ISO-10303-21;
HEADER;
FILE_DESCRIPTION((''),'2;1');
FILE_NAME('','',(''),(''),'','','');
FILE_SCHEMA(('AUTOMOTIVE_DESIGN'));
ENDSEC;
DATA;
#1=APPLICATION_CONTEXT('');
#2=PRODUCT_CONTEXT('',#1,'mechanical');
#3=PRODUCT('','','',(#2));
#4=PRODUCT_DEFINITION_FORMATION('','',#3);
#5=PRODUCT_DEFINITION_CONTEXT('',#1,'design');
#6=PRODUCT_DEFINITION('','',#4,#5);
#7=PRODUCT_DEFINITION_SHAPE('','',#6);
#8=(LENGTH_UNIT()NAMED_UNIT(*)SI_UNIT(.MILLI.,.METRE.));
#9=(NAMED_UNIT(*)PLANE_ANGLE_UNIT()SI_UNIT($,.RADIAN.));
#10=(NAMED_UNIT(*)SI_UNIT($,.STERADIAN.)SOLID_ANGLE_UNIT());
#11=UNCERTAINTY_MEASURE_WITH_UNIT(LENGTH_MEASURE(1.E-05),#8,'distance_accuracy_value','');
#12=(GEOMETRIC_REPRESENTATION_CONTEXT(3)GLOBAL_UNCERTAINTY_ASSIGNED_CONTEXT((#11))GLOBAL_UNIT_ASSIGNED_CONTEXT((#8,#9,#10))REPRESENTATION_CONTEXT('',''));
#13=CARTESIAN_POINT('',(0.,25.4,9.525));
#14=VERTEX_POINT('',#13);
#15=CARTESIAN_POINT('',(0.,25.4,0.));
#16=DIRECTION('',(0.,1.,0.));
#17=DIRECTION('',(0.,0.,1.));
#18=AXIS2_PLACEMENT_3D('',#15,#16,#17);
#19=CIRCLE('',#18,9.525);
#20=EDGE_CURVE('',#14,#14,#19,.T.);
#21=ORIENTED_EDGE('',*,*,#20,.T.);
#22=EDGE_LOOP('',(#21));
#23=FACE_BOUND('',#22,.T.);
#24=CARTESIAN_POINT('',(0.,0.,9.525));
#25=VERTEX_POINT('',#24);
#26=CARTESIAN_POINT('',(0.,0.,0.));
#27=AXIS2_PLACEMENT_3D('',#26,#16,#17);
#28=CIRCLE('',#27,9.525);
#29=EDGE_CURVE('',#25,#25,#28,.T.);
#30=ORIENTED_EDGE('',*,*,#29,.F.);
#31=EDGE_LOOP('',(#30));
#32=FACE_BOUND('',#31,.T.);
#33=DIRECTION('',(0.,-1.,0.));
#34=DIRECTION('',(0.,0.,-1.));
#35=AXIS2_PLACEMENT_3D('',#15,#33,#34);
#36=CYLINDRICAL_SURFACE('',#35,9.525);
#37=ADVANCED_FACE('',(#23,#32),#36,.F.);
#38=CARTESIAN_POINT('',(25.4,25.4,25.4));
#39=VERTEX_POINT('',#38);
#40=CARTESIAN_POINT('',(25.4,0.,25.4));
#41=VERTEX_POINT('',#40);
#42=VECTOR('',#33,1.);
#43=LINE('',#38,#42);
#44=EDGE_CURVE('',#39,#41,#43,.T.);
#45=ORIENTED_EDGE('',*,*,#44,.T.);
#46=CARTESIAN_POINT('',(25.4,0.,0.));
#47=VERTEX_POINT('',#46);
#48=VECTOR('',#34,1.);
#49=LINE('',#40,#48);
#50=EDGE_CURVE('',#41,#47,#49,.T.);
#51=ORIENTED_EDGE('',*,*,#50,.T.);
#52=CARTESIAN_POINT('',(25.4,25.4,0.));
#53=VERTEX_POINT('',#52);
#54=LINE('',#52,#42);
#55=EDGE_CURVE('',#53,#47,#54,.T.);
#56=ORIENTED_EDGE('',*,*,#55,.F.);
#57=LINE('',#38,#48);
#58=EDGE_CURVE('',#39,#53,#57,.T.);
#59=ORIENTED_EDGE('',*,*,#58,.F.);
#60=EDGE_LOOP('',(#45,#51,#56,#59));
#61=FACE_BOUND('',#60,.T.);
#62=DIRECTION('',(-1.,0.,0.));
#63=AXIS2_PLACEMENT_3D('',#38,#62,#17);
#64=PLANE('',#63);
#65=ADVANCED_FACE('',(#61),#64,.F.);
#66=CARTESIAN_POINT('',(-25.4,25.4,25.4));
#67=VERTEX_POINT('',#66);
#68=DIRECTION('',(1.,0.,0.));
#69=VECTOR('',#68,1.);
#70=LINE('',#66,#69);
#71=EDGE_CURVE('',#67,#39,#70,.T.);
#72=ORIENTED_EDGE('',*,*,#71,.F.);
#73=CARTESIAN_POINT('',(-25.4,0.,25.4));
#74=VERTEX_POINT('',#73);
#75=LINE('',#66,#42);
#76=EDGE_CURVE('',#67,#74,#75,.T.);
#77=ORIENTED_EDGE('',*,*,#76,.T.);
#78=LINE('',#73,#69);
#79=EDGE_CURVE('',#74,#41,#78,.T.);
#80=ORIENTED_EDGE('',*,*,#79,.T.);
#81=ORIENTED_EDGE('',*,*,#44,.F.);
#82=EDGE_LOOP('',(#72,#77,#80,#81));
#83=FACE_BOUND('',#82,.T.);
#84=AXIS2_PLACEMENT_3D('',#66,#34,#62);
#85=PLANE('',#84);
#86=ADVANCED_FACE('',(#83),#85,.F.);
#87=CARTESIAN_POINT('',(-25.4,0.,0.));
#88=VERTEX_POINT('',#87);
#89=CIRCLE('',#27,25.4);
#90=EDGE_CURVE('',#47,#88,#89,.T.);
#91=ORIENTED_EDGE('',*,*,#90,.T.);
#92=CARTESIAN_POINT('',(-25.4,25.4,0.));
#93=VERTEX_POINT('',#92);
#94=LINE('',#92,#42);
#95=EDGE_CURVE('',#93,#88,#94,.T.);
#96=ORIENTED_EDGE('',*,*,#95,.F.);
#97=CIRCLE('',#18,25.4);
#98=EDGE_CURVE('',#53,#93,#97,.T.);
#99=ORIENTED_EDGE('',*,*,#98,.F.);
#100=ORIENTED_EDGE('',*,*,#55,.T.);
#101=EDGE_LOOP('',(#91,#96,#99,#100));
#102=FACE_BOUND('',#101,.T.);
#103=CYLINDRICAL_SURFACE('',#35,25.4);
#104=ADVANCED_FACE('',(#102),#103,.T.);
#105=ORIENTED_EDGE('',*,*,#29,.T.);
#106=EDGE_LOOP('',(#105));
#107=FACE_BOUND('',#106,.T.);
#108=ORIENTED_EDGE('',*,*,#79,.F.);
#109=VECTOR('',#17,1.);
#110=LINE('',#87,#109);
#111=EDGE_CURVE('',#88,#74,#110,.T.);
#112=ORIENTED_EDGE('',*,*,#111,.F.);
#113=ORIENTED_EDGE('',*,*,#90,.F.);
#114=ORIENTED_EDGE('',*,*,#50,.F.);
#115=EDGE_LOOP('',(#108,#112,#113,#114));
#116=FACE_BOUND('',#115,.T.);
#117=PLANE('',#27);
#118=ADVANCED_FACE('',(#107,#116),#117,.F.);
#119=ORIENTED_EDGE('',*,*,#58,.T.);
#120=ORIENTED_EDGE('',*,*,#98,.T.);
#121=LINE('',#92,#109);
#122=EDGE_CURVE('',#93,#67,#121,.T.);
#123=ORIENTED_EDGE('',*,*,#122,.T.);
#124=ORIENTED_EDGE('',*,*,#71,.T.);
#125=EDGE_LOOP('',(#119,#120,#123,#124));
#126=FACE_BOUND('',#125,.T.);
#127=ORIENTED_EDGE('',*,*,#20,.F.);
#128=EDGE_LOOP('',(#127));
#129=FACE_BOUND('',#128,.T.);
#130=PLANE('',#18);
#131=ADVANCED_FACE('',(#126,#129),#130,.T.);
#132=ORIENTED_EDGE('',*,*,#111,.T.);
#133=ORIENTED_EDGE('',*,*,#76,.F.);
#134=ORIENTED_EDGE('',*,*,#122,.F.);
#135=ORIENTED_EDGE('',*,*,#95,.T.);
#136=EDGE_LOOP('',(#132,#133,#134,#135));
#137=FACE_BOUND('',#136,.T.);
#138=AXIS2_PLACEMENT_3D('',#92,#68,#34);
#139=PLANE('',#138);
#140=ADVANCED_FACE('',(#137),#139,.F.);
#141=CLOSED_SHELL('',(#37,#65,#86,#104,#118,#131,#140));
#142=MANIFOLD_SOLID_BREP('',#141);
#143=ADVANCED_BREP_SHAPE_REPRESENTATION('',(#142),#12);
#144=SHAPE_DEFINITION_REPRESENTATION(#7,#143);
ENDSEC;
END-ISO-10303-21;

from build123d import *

# Parameters (mm, degrees)
SKETCH1_R           = 9.525
BOSS_EXTRUDE1_DEPTH = 25.4


with BuildPart() as part:
    # Sketch1 → Boss-Extrude1 (new body)
    with BuildSketch(Plane(origin=(0, 0, 0), x_dir=(1, 0, 0), z_dir=(0, 1, 0))):
        with BuildLine():
            Line((-25.4, 0), (-25.4, -25.4))
            Line((-25.4, -25.4), (25.4, -25.4))
            Line((25.4, -25.4), (25.4, 0))
            ThreePointArc((25.4, 0), (0, 25.4), (-25.4, 0))
        make_face()
        with Locations(Location((0, 0, 0), (0, 0, 270))):
            Circle(SKETCH1_R, mode=Mode.SUBTRACT)
    extrude(amount=BOSS_EXTRUDE1_DEPTH)


solid = part.part
